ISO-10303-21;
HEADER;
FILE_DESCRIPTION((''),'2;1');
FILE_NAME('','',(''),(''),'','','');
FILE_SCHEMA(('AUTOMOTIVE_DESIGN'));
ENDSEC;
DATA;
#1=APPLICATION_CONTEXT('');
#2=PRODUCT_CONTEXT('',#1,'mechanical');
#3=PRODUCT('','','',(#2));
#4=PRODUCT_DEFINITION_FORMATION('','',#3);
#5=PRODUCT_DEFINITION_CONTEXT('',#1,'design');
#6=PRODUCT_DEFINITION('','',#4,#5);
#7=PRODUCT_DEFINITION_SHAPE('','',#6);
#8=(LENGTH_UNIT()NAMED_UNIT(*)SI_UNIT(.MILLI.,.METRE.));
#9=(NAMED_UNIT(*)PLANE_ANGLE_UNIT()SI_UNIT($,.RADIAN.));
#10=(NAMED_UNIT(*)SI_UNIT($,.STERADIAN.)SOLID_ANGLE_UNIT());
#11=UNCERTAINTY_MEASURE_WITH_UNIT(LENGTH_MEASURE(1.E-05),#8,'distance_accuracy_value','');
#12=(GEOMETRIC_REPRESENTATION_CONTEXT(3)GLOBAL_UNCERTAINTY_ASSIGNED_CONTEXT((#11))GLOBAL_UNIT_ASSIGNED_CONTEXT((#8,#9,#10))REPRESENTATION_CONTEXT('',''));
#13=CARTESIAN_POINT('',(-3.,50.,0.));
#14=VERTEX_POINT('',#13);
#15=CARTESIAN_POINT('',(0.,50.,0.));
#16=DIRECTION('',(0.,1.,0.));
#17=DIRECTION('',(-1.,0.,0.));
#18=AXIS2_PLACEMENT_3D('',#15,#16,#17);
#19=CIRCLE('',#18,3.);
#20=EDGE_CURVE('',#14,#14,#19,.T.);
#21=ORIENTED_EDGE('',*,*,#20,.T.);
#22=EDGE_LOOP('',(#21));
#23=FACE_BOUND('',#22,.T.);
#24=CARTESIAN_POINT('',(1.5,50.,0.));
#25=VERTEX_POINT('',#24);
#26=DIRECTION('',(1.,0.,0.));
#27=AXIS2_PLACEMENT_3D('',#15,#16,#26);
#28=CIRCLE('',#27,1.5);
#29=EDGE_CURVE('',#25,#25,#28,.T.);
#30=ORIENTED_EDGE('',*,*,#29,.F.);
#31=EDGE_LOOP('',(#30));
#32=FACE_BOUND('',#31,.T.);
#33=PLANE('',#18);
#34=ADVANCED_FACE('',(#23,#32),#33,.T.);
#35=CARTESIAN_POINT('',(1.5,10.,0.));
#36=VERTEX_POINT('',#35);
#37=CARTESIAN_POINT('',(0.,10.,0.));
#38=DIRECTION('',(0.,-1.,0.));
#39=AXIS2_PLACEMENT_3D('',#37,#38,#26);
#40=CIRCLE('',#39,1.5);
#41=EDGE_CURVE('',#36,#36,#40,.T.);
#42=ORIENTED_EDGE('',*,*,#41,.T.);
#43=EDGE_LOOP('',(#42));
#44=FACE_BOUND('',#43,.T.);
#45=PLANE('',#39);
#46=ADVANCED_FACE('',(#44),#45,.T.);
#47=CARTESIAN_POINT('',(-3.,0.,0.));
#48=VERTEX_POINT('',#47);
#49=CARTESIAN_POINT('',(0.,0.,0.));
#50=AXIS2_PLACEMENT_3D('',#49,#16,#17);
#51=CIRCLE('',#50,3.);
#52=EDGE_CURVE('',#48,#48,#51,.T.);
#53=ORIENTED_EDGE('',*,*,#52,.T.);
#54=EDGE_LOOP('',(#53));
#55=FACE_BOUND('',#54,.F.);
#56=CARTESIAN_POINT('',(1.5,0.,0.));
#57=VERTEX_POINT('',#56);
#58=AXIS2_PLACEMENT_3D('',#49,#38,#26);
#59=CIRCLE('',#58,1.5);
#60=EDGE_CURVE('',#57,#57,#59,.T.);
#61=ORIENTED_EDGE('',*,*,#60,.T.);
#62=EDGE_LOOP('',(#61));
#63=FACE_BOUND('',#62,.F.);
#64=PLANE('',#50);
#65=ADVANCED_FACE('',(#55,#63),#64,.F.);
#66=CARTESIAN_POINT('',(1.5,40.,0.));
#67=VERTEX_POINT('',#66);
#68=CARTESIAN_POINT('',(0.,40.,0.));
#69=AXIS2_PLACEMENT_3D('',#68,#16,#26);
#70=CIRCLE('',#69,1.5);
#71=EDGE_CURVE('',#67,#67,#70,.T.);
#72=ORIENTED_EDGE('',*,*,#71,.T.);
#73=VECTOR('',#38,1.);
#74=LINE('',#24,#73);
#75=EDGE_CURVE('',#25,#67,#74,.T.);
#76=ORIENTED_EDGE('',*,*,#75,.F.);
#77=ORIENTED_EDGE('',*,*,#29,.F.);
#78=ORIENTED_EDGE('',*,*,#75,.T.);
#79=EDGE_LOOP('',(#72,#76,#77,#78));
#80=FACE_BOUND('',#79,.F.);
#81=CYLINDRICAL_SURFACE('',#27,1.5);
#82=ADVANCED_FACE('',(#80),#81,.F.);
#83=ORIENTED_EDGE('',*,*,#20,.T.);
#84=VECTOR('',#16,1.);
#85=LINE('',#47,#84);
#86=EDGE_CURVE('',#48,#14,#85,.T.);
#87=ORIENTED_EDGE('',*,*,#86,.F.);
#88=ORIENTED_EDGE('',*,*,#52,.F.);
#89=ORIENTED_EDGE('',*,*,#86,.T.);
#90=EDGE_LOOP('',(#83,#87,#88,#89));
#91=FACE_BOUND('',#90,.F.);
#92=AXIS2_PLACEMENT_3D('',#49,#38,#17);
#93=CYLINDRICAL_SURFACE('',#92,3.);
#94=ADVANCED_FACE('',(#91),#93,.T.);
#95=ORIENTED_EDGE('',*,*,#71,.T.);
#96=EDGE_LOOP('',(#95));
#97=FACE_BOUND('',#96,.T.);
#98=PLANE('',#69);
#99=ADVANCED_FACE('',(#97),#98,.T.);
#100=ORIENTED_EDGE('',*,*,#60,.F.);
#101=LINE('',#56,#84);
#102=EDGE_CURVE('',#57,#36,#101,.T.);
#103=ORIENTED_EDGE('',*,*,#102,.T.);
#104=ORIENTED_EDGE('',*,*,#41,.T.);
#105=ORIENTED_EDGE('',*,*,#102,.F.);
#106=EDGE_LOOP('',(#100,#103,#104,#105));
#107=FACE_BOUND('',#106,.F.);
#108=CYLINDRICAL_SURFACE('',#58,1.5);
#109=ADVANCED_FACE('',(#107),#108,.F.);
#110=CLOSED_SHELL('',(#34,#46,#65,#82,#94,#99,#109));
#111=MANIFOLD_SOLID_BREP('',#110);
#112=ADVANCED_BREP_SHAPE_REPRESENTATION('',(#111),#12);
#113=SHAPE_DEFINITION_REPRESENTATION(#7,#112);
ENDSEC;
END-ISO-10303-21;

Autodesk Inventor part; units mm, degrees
ref_plane "YZ Plane" through (0, 0, 0) normal (1, 0, 0) x (0, 1, 0)
ref_plane "XZ Plane" through (0, 0, 0) normal (0, 1, 0) x (-1, 0, 0)
ref_plane "XY Plane" through (0, 0, 0) normal (0, 0, 1) x (1, 0, 0)
sketch "Sketch1" plane through (0, 0, 0) normal (0, 1, 0) x (-1, 0, 0)
  circle A0 centre (0, 0) radius 3
  dimension "d0" = 6
extrude "Extrusion1" add sketch "Sketch1" along normal blind 50
sketch "Sketch2" plane through (0, 50, 0) normal (0, 1, 0) x (1, 0, 0)
  circle A0 centre (0, 0) radius 1.5
  dimension "d3" = 3
extrude "Extrusion2" cut sketch "Sketch2" against normal blind 10
sketch "Sketch3" plane through (0, 0, 0) normal (0, -1, 0) x (1, 0, 0)
  circle A0 centre (0, 0) radius 1.5
  dimension "d6" = 3
extrude "Extrusion3" cut sketch "Sketch3" against normal blind 10
properties part number "Support Columns"
